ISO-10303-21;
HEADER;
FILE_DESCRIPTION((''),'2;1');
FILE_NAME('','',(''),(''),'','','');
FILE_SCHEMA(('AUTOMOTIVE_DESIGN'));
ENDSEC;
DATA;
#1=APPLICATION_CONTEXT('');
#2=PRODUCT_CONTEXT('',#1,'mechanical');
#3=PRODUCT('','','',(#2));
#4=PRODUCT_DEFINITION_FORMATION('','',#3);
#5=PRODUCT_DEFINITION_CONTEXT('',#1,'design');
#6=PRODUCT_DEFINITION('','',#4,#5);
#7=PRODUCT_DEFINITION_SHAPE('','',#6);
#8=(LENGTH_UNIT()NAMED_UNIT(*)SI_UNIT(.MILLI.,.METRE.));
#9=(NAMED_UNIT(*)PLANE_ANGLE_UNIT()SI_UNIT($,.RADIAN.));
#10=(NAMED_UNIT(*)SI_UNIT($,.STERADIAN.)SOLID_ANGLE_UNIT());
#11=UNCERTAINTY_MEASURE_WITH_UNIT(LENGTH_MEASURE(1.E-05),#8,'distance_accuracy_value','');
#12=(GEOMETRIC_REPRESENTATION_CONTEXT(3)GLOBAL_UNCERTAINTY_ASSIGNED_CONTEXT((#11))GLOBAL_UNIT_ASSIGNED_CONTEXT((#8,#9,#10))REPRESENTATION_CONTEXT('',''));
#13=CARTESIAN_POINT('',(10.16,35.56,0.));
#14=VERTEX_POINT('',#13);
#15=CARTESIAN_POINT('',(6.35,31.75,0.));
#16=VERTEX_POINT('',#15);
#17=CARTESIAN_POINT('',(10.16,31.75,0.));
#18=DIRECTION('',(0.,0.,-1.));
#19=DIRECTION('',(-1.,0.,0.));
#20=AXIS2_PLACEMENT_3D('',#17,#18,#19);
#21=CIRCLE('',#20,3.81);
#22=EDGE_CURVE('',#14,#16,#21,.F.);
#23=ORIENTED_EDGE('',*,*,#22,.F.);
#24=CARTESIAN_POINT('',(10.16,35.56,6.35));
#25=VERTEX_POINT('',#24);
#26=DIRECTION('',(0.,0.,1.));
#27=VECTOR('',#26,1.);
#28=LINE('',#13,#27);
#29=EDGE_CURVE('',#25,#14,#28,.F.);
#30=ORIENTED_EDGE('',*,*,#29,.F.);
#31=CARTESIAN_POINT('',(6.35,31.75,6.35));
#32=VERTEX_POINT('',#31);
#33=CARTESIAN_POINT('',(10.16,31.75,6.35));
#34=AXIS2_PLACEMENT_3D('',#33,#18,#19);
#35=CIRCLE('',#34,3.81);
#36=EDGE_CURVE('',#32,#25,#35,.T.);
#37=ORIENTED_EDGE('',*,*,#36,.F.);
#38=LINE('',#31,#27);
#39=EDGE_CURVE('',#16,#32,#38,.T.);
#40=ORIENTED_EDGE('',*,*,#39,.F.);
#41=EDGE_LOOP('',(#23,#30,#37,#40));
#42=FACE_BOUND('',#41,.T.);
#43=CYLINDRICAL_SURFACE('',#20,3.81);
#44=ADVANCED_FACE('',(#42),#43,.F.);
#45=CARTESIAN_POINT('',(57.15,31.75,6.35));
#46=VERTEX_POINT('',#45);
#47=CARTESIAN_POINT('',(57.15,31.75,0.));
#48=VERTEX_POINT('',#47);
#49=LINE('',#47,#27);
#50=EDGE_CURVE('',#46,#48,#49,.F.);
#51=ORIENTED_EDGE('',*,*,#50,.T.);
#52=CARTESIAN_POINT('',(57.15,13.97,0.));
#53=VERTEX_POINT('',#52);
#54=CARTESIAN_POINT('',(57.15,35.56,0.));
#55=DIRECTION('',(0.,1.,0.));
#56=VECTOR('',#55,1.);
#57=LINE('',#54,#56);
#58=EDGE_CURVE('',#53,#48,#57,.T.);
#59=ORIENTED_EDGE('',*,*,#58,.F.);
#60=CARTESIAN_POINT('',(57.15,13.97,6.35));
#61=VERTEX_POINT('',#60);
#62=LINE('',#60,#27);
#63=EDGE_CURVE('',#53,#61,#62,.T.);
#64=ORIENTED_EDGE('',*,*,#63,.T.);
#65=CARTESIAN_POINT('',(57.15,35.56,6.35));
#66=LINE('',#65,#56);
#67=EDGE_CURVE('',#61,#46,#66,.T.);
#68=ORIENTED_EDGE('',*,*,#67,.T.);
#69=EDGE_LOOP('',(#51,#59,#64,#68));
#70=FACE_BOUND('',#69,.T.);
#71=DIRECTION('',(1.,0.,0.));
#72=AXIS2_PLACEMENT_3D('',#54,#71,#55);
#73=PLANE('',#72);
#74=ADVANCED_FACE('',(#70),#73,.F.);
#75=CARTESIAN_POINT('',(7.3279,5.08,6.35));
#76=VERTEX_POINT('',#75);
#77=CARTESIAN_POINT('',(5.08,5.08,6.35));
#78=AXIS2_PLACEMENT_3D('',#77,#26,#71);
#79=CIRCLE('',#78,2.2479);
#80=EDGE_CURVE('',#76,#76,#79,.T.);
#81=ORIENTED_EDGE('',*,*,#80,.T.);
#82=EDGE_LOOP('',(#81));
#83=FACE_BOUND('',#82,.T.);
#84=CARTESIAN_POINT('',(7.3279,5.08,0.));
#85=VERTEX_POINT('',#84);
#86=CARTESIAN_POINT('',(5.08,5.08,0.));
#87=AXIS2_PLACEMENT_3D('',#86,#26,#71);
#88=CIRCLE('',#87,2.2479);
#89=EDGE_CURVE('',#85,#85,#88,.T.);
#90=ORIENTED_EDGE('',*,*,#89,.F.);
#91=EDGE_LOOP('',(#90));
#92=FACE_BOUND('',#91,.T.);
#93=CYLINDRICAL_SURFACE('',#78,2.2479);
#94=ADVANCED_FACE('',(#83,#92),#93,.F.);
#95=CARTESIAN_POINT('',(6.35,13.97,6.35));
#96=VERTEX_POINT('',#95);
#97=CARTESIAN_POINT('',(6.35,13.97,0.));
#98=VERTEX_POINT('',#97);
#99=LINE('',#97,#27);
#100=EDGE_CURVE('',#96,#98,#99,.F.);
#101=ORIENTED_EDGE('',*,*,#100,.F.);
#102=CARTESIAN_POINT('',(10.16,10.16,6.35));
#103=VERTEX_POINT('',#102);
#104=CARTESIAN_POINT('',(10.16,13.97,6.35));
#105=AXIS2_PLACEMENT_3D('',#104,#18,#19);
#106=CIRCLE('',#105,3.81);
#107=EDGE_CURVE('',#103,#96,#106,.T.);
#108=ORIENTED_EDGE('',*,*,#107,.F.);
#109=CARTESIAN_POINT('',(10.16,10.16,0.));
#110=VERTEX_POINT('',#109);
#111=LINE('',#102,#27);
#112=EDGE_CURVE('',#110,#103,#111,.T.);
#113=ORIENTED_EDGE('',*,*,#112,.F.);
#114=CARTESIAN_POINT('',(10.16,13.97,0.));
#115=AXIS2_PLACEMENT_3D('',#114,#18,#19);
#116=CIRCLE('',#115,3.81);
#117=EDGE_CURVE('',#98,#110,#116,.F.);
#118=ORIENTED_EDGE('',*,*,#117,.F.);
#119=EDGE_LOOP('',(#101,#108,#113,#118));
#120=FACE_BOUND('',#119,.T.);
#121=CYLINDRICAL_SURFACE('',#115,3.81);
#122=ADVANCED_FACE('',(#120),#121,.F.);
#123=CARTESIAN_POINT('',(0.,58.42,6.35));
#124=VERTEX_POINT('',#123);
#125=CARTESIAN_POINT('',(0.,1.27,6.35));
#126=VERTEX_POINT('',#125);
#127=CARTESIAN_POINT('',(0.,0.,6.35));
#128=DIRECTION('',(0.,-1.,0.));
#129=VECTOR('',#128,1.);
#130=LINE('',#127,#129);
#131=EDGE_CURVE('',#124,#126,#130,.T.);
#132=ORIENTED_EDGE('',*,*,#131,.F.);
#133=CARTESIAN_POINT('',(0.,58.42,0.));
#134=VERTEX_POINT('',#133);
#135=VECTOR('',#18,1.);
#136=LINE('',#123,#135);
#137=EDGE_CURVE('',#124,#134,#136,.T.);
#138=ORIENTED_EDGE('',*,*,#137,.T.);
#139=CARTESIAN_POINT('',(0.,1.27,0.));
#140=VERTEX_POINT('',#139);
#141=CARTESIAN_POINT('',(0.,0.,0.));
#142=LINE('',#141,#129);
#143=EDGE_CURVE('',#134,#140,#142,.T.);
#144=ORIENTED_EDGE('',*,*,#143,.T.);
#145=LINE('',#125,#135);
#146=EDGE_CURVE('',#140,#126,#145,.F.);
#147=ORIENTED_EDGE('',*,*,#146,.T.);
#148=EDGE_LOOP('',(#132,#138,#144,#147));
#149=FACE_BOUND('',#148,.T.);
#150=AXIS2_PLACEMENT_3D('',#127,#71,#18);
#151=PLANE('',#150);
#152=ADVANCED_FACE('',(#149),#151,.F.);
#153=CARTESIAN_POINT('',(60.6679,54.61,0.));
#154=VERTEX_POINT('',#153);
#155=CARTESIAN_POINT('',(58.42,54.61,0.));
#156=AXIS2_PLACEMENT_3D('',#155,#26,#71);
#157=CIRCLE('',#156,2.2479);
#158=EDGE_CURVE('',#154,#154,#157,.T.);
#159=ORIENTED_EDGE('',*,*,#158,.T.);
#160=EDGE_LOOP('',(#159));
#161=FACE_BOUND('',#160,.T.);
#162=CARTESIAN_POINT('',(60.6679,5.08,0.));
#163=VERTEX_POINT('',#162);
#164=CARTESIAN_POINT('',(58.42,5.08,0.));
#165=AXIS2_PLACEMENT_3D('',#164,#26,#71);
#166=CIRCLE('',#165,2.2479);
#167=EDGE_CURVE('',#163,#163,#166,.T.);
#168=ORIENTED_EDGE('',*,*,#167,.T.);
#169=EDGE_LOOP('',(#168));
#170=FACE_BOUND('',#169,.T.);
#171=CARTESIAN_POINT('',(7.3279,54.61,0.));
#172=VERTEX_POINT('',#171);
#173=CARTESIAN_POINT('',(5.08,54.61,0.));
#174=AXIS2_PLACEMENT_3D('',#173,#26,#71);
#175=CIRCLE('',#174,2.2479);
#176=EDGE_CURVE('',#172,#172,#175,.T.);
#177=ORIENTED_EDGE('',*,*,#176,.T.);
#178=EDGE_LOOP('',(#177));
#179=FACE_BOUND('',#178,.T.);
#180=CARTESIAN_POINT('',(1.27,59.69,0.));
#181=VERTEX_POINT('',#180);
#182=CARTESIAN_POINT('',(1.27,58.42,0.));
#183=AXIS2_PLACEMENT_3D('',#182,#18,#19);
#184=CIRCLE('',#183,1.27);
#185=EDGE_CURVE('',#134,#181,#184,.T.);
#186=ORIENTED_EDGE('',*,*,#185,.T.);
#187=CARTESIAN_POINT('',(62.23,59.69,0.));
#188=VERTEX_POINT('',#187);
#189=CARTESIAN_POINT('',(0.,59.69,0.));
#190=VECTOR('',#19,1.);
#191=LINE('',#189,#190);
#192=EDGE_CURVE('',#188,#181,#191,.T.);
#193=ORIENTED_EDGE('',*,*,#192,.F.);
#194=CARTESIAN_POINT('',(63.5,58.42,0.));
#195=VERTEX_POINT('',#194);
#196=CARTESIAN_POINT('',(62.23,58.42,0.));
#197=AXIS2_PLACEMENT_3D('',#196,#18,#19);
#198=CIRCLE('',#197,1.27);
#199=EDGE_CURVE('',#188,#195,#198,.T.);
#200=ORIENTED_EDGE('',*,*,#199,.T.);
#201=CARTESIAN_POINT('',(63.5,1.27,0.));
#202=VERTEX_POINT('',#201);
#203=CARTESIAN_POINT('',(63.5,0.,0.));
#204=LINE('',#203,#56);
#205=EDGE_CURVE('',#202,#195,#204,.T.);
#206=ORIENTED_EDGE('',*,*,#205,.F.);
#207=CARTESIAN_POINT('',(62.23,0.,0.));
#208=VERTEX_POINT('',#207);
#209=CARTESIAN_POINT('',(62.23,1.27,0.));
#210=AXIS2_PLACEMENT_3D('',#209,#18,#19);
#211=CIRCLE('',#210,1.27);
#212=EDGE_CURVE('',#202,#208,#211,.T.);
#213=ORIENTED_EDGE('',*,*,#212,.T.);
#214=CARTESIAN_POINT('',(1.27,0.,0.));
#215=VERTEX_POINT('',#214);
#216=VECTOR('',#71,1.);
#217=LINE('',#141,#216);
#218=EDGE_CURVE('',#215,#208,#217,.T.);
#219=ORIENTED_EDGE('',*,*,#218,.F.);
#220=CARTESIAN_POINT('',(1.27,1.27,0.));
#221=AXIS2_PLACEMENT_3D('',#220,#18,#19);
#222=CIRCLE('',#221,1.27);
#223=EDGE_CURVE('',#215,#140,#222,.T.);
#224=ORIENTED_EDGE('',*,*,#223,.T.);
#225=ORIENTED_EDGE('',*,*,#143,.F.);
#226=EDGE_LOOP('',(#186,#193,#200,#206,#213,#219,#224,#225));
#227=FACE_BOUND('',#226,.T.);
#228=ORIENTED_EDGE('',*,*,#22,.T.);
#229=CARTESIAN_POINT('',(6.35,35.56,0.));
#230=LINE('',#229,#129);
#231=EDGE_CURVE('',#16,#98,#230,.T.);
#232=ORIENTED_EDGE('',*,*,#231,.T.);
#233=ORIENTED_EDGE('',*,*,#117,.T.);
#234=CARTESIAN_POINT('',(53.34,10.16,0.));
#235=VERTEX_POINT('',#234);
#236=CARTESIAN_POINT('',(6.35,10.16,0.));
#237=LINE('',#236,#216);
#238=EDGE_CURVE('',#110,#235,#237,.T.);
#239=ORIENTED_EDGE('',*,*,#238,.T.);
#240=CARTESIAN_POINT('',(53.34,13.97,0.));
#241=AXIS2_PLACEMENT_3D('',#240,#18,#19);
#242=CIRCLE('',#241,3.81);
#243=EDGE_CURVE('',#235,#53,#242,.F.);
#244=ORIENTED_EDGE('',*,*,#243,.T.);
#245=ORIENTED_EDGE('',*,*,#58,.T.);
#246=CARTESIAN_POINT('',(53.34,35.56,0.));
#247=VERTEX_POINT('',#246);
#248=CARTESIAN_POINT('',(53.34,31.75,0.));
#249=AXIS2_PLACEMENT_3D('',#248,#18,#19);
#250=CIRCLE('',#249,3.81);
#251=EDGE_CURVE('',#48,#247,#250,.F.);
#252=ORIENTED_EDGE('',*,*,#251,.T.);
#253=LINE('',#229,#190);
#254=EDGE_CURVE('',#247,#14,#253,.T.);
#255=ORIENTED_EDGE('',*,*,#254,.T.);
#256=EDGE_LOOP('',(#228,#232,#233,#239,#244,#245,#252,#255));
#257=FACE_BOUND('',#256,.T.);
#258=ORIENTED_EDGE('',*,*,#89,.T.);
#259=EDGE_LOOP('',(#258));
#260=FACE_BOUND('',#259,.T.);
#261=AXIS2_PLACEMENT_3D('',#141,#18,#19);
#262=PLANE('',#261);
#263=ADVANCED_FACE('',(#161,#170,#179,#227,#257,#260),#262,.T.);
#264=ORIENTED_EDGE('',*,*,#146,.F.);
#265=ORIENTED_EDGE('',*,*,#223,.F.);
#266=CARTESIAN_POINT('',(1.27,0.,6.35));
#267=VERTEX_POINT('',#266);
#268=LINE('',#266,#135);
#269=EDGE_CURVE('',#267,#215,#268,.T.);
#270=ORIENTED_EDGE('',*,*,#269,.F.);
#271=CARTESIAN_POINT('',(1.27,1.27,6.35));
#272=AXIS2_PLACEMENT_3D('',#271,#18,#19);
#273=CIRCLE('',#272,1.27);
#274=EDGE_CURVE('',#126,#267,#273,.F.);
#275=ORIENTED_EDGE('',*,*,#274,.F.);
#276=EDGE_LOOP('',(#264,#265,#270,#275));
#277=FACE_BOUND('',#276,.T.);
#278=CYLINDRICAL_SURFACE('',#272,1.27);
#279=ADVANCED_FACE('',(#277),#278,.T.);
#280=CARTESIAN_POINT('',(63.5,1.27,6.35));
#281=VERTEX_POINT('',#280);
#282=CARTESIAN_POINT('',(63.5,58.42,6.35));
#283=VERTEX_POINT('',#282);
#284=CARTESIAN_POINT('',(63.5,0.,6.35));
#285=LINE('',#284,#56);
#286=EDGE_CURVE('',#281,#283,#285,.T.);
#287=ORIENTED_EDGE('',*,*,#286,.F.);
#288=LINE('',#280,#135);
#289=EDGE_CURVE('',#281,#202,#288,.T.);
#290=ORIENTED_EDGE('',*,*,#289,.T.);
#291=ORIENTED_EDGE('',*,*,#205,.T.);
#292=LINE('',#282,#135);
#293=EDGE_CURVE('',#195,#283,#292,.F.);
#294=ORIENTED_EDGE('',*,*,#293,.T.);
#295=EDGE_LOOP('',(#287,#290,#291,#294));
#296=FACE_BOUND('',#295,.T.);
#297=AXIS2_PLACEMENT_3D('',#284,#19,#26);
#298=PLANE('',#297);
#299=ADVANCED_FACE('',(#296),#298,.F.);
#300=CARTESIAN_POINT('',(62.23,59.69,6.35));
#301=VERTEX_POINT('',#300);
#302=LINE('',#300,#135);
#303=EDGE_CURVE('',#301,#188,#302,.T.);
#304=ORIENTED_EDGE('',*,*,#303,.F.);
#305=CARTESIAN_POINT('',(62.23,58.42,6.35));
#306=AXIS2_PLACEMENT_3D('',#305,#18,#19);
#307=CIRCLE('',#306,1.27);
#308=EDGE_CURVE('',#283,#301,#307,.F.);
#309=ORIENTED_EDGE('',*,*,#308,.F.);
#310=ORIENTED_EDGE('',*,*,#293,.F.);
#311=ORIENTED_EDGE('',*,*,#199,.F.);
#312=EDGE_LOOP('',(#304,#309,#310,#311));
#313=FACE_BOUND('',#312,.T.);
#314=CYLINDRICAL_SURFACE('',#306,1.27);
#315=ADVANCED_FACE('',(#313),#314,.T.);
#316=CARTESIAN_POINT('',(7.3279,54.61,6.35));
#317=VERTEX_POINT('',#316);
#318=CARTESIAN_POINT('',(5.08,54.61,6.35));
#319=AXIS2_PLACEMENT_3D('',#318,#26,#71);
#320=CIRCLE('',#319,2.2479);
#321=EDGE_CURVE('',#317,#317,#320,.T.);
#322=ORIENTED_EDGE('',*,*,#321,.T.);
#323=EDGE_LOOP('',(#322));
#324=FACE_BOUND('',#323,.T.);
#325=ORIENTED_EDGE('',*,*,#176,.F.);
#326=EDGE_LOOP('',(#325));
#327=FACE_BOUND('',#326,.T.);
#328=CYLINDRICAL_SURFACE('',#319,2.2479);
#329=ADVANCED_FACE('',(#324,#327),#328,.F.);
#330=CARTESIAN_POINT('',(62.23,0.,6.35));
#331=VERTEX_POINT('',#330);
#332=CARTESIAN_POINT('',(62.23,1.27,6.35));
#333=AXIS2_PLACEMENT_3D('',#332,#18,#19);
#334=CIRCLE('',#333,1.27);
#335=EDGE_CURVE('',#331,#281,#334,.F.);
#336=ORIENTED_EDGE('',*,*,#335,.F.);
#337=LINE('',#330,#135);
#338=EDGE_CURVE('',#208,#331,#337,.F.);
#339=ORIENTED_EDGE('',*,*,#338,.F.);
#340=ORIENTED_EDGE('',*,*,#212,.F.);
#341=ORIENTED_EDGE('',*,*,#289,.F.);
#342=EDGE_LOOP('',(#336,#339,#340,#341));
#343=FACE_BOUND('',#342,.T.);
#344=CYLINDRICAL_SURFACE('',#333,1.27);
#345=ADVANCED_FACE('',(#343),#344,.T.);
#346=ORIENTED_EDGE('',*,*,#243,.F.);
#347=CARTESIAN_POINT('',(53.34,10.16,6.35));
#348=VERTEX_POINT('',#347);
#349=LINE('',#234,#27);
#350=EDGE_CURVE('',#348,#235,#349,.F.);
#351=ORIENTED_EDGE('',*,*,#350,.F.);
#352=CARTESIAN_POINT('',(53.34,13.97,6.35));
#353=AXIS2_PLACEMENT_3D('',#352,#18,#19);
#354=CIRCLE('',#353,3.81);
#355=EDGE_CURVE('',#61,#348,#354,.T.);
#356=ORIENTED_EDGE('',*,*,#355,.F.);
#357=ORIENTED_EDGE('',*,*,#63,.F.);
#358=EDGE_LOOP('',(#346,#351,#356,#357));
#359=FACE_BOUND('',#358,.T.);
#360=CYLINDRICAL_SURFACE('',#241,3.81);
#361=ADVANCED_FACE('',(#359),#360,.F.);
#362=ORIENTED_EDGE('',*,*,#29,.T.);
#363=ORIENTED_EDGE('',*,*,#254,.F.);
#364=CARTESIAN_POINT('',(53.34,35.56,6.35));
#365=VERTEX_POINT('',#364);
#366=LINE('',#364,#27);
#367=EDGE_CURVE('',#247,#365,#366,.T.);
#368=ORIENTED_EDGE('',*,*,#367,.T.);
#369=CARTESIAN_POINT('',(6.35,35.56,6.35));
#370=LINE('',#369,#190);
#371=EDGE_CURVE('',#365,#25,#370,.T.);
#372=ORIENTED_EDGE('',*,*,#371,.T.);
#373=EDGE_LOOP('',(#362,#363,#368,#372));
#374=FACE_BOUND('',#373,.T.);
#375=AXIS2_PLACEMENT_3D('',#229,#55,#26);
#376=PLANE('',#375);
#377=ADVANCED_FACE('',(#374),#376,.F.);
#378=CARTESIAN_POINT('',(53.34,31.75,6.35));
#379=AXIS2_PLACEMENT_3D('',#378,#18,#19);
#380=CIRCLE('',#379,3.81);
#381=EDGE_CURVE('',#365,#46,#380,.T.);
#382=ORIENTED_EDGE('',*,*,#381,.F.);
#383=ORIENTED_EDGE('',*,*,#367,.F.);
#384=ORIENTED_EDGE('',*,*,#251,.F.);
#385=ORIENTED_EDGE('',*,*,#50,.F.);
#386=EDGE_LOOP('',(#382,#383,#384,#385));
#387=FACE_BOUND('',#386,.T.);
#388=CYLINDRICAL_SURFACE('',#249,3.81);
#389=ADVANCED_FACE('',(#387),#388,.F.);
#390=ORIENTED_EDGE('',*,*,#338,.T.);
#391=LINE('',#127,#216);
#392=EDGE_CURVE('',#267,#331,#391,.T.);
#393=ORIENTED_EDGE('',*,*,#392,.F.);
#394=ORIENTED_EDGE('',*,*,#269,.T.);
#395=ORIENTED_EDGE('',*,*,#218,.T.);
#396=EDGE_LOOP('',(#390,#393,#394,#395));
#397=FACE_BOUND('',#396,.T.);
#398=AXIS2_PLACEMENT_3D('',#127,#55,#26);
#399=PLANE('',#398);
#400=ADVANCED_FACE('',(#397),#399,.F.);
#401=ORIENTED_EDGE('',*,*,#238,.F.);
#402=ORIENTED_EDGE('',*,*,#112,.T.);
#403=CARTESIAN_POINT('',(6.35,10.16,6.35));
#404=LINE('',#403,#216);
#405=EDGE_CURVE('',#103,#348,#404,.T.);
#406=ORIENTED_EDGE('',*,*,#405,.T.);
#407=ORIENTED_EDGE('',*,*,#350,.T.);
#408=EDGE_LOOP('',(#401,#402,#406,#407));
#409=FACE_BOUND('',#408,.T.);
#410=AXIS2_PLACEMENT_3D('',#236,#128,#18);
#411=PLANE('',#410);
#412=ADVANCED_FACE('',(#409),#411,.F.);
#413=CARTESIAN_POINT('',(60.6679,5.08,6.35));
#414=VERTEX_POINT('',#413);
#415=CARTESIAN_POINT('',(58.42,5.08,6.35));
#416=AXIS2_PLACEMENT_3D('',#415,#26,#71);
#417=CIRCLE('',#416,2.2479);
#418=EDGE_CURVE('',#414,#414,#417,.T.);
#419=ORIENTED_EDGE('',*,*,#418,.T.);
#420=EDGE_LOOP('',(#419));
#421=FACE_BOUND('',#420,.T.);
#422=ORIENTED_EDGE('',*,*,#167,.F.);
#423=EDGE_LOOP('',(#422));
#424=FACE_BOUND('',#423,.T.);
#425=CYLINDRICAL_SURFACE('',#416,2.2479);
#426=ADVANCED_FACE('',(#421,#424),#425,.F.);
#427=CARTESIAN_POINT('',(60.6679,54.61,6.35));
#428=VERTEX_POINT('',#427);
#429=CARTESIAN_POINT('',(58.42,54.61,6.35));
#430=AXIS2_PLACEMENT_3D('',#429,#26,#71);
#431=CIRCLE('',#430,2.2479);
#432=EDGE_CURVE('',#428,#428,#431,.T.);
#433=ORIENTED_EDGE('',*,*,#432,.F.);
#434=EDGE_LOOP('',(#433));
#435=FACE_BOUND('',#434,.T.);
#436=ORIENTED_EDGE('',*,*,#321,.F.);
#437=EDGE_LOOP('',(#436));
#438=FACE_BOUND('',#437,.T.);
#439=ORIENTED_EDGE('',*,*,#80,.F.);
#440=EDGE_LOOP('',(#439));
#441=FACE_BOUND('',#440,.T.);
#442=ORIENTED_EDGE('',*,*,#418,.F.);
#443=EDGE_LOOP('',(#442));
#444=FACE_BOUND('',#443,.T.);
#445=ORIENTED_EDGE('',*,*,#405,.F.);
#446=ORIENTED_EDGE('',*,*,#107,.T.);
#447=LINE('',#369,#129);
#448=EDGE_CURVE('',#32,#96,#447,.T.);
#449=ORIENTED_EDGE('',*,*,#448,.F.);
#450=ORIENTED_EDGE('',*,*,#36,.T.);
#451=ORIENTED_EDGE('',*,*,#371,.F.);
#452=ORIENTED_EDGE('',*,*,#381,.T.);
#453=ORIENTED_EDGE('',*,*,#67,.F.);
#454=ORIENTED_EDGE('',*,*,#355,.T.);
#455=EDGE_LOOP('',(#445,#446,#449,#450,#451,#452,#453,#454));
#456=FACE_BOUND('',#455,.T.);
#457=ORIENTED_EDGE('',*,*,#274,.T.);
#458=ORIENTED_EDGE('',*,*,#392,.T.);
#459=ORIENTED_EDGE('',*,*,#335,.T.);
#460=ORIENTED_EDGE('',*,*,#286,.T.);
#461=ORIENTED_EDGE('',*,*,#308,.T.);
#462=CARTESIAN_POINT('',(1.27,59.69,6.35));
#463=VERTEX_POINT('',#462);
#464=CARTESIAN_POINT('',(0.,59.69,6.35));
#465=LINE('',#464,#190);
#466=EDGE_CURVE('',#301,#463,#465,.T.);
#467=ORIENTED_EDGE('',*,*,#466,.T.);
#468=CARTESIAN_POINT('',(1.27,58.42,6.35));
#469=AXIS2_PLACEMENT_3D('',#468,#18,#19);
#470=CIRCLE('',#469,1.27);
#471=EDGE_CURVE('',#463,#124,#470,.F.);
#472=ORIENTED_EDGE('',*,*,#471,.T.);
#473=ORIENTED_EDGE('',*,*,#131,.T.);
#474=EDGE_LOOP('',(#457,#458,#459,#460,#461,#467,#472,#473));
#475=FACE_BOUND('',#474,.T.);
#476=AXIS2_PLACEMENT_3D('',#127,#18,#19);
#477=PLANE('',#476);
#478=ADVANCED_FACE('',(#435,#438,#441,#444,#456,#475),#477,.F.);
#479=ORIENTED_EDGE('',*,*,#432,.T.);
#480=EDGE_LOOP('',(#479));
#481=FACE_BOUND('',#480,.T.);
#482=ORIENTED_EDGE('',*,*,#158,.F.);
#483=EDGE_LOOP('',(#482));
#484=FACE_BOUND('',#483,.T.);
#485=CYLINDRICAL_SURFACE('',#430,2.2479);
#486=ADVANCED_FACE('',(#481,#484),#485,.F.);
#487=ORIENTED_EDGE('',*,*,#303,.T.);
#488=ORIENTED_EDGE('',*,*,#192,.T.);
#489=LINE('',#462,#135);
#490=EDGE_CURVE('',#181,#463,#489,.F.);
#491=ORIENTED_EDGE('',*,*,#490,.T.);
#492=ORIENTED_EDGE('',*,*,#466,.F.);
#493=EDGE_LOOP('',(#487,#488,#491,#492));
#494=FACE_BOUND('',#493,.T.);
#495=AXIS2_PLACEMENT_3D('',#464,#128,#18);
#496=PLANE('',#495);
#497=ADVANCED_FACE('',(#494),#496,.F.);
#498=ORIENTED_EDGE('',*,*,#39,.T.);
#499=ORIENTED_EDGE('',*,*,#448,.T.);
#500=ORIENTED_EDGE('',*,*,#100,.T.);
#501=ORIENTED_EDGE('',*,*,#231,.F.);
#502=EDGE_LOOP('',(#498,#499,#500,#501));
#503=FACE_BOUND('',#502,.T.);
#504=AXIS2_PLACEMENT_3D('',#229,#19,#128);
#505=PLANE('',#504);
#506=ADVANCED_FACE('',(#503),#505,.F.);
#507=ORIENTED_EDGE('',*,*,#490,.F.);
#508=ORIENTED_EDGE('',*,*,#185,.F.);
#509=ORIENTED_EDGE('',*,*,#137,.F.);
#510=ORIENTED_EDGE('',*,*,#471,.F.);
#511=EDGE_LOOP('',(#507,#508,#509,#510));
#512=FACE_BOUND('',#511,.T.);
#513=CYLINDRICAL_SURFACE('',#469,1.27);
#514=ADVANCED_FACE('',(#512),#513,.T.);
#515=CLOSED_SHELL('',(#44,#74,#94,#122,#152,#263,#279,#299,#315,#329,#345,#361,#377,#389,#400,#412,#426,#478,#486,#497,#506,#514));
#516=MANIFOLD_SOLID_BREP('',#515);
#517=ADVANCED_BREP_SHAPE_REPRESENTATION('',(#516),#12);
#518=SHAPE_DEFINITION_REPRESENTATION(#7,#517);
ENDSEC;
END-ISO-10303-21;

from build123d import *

# Parameters (mm, degrees)
SKETCH1_W             = 63.5
SKETCH1_H             = 59.69
BOSS_EXTRUDE1_DEPTH   = 6.35
FILLET1_R             = 1.27
F_8_CLEARANCE_HOLE1_D = 4.4958
SKETCH7_W             = 50.8
SKETCH7_H             = 25.4
CUT_EXTRUDE1_DEPTH    = 7.35
FILLET2_R             = 3.81


with BuildPart() as part:
    # Sketch1 → Boss-Extrude1 (new body)
    with BuildSketch(Plane.XY):
        with Locations((31.75, 29.845)):
            Rectangle(SKETCH1_W, SKETCH1_H)
    extrude(amount=BOSS_EXTRUDE1_DEPTH)

    # Fillet1
    fillet1_edges = [part.edges().sort_by_distance(p)[0] for p in [
        (0, 59.69, 3.175),
        (63.5, 59.69, 3.175),
        (63.5, 0, 3.175),
        (0, 0, 3.175),
    ]]
    fillet(fillet1_edges, radius=FILLET1_R)

    # #8 Clearance Hole1 (through all)
    with Locations(Plane.XY.offset(6.35)):
        with Locations((5.08, 54.61), (58.42, 54.61), (58.42, 5.08), (5.08, 5.08)):
            Hole(F_8_CLEARANCE_HOLE1_D / 2)

    # Sketch7 → Cut-Extrude1 (cut, through all)
    with BuildSketch(Plane.XY.offset(6.35)):
        with Locations((31.75, 22.86)):
            Rectangle(SKETCH7_W, SKETCH7_H)
    extrude(amount=-CUT_EXTRUDE1_DEPTH, mode=Mode.SUBTRACT)

    # Fillet2
    fillet2_edges = [part.edges().sort_by_distance(p)[0] for p in [
        (6.35, 10.16, 3.175),
        (6.35, 35.56, 3.175),
        (57.15, 35.56, 3.175),
        (57.15, 10.16, 3.175),
    ]]
    fillet(fillet2_edges, radius=FILLET2_R)


solid = part.part
